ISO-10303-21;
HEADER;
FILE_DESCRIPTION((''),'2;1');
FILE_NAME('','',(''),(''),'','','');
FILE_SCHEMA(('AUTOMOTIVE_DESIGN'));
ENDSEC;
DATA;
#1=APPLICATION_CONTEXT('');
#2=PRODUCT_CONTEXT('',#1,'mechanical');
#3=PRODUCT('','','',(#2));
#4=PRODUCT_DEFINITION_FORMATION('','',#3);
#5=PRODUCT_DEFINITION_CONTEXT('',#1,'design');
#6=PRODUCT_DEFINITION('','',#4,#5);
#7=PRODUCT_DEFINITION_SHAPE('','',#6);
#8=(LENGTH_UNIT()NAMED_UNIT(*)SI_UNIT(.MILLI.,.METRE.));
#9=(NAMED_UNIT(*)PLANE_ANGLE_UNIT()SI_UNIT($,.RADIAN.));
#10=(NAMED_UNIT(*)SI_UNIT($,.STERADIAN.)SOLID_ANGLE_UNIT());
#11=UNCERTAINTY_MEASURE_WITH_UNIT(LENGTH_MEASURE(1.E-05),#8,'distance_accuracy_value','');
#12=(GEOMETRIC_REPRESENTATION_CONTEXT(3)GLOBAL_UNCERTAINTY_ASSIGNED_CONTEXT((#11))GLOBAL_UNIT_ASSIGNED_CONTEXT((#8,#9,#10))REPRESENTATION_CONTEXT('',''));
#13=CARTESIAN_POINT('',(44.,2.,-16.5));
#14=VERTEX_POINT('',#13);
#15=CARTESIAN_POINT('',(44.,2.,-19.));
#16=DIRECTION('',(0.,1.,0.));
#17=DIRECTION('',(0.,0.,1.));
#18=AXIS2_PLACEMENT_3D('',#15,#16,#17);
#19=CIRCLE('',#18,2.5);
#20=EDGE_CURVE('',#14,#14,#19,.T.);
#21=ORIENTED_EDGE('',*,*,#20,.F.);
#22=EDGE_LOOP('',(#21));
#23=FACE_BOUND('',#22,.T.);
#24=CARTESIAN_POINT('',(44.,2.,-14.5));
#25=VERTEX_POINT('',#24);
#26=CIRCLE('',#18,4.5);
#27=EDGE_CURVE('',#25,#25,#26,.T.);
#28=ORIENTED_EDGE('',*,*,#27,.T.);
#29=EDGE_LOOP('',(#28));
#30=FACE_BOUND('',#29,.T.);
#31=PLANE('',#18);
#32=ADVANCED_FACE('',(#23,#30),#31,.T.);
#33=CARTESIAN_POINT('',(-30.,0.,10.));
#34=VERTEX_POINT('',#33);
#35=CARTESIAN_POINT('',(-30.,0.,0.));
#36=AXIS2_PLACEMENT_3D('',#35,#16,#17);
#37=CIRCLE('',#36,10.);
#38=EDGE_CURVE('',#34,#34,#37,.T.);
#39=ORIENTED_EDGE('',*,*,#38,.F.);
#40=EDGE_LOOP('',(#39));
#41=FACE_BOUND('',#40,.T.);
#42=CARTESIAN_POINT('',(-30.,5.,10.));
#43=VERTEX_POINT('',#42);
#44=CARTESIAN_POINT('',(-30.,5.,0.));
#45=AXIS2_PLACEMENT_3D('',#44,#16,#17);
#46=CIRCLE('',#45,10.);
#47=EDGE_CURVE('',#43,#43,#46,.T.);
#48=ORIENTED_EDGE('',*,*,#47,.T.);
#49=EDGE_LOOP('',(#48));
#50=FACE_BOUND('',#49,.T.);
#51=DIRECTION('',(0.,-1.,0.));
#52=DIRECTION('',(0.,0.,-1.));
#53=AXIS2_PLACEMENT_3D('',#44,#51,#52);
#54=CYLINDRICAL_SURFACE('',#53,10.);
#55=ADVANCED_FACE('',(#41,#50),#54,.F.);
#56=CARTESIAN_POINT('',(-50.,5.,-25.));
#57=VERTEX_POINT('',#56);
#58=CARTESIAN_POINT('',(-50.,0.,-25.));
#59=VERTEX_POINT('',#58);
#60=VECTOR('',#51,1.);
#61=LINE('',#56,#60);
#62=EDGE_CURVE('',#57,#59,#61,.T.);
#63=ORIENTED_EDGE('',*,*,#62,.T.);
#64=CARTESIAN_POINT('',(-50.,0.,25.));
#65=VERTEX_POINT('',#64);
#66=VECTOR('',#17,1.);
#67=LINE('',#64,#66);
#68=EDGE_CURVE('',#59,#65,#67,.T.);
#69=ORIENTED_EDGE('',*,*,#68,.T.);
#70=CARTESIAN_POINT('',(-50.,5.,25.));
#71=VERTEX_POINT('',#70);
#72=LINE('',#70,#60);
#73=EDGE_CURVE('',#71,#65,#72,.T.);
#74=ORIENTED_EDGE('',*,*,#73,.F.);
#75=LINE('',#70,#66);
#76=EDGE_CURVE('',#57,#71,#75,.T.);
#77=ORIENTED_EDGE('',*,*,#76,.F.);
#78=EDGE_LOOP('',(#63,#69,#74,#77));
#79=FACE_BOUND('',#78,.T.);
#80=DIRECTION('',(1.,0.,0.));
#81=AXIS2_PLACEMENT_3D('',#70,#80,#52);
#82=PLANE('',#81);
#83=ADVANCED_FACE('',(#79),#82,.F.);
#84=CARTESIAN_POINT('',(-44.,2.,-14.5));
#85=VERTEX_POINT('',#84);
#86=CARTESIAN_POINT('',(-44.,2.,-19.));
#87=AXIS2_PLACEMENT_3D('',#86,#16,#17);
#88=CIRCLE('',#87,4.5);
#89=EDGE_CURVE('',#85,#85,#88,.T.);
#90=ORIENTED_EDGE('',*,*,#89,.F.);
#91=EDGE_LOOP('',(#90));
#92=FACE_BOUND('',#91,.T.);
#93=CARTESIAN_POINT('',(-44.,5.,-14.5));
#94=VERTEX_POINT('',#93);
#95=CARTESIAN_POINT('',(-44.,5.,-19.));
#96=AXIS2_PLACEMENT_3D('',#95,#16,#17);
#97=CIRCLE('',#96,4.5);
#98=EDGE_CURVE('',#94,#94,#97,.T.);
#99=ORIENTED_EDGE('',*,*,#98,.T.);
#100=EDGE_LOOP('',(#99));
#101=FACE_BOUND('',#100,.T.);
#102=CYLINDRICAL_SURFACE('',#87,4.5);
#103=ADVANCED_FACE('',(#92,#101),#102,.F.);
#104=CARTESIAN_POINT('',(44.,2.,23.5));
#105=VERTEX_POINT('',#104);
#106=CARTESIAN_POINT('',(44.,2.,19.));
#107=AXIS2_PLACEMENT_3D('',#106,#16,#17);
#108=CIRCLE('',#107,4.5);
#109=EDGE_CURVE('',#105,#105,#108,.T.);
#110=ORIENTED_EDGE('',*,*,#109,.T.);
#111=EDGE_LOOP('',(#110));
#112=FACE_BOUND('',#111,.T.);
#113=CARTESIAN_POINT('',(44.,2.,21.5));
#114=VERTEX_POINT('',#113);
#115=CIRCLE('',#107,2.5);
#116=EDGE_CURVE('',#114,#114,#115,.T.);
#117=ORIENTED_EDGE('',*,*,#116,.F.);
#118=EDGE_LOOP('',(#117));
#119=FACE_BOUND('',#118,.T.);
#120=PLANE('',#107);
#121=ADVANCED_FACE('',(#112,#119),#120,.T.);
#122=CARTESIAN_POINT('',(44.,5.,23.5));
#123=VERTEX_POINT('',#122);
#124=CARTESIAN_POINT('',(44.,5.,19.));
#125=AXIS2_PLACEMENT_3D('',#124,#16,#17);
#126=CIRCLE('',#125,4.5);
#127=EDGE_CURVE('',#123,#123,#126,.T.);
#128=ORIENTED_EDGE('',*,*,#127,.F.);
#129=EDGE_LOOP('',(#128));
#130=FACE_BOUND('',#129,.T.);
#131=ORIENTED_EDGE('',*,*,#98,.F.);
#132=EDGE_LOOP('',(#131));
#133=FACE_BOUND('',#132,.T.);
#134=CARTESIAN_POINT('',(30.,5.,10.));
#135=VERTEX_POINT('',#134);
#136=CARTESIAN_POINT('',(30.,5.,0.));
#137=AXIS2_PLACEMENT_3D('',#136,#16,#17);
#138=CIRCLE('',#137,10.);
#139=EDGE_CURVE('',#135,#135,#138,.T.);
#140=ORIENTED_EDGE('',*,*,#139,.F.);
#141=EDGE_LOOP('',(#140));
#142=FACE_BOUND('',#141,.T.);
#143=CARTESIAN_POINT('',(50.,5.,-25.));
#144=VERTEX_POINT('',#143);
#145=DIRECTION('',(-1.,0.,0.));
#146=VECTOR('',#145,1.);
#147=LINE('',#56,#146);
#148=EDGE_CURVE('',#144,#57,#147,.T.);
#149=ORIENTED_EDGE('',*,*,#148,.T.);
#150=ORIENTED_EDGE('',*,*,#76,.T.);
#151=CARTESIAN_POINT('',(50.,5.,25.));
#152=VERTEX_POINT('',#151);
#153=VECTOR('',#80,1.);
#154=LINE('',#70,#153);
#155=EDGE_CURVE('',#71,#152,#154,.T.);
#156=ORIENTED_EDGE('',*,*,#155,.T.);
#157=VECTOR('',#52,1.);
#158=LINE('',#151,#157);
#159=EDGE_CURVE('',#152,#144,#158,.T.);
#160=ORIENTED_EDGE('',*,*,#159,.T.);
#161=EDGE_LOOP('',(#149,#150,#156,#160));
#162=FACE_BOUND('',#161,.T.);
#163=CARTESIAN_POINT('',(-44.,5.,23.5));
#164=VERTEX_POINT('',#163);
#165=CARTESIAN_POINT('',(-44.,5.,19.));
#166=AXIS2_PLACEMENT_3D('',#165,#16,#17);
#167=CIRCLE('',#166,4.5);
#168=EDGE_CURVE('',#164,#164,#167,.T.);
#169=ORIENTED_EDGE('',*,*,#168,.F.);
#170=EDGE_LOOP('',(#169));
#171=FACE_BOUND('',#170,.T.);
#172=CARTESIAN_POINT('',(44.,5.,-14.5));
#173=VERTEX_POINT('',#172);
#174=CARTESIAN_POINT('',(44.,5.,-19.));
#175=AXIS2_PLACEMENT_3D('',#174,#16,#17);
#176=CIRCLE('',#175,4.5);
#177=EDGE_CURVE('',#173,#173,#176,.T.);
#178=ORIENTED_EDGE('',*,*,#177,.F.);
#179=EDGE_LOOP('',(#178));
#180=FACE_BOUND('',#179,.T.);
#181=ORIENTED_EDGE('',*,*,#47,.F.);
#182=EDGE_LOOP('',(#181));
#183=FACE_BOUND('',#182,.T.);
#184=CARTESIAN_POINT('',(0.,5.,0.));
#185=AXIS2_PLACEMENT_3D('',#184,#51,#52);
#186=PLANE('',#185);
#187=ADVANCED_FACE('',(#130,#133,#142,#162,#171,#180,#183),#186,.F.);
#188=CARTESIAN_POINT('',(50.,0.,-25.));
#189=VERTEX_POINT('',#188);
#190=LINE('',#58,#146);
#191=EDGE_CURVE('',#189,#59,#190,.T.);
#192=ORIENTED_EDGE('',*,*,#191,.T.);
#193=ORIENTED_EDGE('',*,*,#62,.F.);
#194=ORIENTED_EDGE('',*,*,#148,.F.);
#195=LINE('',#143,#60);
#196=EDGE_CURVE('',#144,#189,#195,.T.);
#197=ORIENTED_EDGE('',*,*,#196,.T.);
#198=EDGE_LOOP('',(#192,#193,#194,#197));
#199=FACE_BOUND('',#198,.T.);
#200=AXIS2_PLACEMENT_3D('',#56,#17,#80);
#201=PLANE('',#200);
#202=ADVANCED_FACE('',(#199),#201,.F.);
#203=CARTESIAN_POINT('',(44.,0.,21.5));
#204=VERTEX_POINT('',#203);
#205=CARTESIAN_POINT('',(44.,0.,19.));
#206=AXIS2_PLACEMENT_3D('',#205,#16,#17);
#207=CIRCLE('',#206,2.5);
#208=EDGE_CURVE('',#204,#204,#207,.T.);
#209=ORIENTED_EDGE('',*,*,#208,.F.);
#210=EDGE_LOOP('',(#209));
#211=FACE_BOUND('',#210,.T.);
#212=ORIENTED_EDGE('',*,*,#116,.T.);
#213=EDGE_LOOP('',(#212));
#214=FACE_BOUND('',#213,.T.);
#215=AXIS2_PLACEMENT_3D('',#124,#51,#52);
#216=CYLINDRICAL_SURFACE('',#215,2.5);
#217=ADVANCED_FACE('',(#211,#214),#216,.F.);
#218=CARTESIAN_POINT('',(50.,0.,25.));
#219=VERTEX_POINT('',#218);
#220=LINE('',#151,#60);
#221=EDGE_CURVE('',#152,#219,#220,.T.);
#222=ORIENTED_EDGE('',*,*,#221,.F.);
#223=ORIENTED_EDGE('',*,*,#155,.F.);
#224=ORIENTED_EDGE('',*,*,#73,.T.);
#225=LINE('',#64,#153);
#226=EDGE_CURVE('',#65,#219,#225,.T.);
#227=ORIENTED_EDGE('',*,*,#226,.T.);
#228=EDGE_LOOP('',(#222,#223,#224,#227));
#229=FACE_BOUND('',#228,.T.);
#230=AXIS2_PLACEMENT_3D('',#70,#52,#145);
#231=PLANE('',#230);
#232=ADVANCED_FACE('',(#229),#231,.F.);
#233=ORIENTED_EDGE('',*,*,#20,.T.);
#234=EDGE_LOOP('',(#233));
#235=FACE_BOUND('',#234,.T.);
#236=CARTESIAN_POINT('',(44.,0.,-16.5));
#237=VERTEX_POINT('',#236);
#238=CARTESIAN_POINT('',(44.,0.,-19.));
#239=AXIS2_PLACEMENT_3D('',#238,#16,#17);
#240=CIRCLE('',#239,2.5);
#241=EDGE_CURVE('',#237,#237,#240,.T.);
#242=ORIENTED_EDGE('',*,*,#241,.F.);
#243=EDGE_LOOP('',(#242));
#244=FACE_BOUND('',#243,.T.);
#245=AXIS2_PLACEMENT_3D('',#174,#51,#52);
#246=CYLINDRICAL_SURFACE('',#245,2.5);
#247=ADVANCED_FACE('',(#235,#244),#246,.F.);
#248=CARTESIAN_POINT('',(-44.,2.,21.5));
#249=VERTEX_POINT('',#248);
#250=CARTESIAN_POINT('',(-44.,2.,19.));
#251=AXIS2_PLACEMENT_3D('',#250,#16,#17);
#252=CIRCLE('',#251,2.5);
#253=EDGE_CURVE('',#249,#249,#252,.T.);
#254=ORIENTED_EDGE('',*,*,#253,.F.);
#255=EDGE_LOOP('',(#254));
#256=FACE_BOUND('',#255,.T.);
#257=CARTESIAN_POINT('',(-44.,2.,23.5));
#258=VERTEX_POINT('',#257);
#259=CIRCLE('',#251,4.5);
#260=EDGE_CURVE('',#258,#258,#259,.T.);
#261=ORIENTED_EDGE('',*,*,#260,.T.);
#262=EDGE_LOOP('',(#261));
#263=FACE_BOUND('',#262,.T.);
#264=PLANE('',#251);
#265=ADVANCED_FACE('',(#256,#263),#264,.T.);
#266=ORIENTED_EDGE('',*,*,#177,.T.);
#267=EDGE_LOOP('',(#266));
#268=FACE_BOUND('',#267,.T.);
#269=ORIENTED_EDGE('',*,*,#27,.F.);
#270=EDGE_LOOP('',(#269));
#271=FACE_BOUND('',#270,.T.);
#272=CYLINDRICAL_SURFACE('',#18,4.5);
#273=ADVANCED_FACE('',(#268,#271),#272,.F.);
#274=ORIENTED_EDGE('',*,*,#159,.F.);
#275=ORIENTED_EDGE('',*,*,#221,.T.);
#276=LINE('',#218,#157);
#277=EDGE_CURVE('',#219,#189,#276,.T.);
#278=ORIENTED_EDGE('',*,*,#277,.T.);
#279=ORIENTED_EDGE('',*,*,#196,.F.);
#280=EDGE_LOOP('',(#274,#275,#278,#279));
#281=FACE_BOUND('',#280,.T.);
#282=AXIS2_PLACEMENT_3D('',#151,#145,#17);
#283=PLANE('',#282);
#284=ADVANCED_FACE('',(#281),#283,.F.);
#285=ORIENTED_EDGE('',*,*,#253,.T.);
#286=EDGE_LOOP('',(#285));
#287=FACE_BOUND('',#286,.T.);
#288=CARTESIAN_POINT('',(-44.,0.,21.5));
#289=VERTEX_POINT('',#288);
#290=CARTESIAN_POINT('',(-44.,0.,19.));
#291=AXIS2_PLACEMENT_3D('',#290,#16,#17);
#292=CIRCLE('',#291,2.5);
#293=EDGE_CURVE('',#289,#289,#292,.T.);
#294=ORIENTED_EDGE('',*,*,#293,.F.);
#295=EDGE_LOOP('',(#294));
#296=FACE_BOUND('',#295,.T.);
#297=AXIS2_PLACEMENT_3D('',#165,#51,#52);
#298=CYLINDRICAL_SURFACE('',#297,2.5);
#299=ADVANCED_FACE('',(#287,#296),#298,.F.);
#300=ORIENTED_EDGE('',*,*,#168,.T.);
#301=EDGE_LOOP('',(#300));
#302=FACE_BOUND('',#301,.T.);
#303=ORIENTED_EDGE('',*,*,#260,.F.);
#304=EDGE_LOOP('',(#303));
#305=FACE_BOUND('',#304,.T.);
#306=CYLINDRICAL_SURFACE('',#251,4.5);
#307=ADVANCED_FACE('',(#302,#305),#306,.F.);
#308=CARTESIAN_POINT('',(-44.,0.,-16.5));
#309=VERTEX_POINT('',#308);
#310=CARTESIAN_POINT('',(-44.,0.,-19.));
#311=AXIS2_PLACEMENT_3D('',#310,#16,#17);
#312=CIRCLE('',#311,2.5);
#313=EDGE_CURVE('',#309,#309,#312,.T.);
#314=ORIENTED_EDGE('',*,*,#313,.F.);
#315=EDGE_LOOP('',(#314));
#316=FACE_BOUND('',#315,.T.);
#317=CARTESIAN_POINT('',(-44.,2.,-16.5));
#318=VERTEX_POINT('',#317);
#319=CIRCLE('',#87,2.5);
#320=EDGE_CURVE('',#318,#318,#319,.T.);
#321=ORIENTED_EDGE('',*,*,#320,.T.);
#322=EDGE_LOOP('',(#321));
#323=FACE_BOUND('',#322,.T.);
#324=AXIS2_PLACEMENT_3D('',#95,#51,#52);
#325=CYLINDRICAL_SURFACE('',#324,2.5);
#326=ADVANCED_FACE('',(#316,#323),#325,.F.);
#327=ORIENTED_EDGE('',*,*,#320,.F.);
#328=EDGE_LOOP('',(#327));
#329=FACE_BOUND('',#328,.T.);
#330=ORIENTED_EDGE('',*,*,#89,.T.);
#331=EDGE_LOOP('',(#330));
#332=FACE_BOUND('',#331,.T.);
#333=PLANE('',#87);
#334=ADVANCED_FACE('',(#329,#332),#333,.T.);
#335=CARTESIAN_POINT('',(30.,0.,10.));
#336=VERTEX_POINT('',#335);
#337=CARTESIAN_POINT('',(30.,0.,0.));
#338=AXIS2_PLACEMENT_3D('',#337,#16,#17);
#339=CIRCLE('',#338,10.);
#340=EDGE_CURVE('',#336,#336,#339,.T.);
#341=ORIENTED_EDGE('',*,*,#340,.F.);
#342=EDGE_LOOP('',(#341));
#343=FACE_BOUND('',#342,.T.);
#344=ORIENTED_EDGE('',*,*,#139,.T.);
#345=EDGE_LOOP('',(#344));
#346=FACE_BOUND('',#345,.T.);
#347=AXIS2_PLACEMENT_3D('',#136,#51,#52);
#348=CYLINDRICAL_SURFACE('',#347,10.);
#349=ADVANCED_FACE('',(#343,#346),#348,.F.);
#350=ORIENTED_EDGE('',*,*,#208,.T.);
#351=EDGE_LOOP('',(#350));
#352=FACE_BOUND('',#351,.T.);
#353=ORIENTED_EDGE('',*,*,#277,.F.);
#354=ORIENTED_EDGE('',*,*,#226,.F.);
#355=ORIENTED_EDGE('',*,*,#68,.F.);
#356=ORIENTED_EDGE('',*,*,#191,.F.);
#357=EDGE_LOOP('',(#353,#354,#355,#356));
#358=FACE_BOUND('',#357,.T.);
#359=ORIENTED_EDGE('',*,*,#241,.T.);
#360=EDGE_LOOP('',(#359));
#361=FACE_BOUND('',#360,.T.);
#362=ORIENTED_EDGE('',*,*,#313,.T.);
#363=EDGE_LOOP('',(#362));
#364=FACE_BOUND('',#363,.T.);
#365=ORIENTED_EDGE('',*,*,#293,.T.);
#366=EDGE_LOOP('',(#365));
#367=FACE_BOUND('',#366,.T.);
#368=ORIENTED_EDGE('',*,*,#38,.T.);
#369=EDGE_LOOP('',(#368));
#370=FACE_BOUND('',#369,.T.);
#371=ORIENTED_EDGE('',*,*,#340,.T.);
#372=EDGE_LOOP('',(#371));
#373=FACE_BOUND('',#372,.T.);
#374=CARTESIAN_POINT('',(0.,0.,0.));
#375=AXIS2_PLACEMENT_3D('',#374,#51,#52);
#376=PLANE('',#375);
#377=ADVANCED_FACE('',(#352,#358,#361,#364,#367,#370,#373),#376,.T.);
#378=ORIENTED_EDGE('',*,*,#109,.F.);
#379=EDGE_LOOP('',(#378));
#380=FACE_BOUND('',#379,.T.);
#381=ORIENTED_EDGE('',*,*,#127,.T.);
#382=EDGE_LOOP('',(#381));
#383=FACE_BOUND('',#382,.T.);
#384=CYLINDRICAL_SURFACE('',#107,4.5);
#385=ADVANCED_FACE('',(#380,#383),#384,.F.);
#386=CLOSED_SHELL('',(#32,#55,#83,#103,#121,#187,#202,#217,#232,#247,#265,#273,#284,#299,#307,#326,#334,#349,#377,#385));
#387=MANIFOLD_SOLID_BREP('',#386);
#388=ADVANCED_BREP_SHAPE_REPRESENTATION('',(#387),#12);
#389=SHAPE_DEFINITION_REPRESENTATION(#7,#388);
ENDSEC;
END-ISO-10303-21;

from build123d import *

# Parameters (mm, degrees)
SKETCH1_W           = 100
SKETCH1_H           = 50
SKETCH1_R           = 10
SKETCH1_R_2         = 2.5
BOSS_EXTRUDE1_DEPTH = 5
SKETCH2_R           = 4.5
CUT_EXTRUDE1_DEPTH  = 3


with BuildPart() as part:
    # Sketch1 → Boss-Extrude1 (new body)
    with BuildSketch(Plane(origin=(0, 0, 0), x_dir=(1, 0, 0), z_dir=(0, 1, 0))):
        Rectangle(SKETCH1_W, SKETCH1_H)
        with Locations(Location((30, 0, 0), (0, 0, 270))):
            Circle(SKETCH1_R, mode=Mode.SUBTRACT)
        with Locations(Location((-30, 0, 0), (0, 0, 270))):
            Circle(SKETCH1_R, mode=Mode.SUBTRACT)
        with Locations(Location((44, 19, 0), (0, 0, 270))):
            Circle(SKETCH1_R_2, mode=Mode.SUBTRACT)
        with Locations(Location((-44, 19, 0), (0, 0, 270))):
            Circle(SKETCH1_R_2, mode=Mode.SUBTRACT)
        with Locations(Location((-44, -19, 0), (0, 0, 270))):
            Circle(SKETCH1_R_2, mode=Mode.SUBTRACT)
        with Locations(Location((44, -19, 0), (0, 0, 270))):
            Circle(SKETCH1_R_2, mode=Mode.SUBTRACT)
    extrude(amount=BOSS_EXTRUDE1_DEPTH)

    # Sketch2 → Cut-Extrude1 (cut)
    with BuildSketch(Plane(origin=(0, 5, 0), x_dir=(1, 0, 0), z_dir=(0, 1, 0))):
        with Locations(Location((-44, 19, 0), (0, 0, 270))):
            Circle(SKETCH2_R)
        with Locations(Location((-44, -19, 0), (0, 0, 270))):
            Circle(SKETCH2_R)
        with Locations(Location((44, -19, 0), (0, 0, 270))):
            Circle(SKETCH2_R)
        with Locations(Location((44, 19, 0), (0, 0, 270))):
            Circle(SKETCH2_R)
    extrude(amount=-CUT_EXTRUDE1_DEPTH, mode=Mode.SUBTRACT)


solid = part.part
